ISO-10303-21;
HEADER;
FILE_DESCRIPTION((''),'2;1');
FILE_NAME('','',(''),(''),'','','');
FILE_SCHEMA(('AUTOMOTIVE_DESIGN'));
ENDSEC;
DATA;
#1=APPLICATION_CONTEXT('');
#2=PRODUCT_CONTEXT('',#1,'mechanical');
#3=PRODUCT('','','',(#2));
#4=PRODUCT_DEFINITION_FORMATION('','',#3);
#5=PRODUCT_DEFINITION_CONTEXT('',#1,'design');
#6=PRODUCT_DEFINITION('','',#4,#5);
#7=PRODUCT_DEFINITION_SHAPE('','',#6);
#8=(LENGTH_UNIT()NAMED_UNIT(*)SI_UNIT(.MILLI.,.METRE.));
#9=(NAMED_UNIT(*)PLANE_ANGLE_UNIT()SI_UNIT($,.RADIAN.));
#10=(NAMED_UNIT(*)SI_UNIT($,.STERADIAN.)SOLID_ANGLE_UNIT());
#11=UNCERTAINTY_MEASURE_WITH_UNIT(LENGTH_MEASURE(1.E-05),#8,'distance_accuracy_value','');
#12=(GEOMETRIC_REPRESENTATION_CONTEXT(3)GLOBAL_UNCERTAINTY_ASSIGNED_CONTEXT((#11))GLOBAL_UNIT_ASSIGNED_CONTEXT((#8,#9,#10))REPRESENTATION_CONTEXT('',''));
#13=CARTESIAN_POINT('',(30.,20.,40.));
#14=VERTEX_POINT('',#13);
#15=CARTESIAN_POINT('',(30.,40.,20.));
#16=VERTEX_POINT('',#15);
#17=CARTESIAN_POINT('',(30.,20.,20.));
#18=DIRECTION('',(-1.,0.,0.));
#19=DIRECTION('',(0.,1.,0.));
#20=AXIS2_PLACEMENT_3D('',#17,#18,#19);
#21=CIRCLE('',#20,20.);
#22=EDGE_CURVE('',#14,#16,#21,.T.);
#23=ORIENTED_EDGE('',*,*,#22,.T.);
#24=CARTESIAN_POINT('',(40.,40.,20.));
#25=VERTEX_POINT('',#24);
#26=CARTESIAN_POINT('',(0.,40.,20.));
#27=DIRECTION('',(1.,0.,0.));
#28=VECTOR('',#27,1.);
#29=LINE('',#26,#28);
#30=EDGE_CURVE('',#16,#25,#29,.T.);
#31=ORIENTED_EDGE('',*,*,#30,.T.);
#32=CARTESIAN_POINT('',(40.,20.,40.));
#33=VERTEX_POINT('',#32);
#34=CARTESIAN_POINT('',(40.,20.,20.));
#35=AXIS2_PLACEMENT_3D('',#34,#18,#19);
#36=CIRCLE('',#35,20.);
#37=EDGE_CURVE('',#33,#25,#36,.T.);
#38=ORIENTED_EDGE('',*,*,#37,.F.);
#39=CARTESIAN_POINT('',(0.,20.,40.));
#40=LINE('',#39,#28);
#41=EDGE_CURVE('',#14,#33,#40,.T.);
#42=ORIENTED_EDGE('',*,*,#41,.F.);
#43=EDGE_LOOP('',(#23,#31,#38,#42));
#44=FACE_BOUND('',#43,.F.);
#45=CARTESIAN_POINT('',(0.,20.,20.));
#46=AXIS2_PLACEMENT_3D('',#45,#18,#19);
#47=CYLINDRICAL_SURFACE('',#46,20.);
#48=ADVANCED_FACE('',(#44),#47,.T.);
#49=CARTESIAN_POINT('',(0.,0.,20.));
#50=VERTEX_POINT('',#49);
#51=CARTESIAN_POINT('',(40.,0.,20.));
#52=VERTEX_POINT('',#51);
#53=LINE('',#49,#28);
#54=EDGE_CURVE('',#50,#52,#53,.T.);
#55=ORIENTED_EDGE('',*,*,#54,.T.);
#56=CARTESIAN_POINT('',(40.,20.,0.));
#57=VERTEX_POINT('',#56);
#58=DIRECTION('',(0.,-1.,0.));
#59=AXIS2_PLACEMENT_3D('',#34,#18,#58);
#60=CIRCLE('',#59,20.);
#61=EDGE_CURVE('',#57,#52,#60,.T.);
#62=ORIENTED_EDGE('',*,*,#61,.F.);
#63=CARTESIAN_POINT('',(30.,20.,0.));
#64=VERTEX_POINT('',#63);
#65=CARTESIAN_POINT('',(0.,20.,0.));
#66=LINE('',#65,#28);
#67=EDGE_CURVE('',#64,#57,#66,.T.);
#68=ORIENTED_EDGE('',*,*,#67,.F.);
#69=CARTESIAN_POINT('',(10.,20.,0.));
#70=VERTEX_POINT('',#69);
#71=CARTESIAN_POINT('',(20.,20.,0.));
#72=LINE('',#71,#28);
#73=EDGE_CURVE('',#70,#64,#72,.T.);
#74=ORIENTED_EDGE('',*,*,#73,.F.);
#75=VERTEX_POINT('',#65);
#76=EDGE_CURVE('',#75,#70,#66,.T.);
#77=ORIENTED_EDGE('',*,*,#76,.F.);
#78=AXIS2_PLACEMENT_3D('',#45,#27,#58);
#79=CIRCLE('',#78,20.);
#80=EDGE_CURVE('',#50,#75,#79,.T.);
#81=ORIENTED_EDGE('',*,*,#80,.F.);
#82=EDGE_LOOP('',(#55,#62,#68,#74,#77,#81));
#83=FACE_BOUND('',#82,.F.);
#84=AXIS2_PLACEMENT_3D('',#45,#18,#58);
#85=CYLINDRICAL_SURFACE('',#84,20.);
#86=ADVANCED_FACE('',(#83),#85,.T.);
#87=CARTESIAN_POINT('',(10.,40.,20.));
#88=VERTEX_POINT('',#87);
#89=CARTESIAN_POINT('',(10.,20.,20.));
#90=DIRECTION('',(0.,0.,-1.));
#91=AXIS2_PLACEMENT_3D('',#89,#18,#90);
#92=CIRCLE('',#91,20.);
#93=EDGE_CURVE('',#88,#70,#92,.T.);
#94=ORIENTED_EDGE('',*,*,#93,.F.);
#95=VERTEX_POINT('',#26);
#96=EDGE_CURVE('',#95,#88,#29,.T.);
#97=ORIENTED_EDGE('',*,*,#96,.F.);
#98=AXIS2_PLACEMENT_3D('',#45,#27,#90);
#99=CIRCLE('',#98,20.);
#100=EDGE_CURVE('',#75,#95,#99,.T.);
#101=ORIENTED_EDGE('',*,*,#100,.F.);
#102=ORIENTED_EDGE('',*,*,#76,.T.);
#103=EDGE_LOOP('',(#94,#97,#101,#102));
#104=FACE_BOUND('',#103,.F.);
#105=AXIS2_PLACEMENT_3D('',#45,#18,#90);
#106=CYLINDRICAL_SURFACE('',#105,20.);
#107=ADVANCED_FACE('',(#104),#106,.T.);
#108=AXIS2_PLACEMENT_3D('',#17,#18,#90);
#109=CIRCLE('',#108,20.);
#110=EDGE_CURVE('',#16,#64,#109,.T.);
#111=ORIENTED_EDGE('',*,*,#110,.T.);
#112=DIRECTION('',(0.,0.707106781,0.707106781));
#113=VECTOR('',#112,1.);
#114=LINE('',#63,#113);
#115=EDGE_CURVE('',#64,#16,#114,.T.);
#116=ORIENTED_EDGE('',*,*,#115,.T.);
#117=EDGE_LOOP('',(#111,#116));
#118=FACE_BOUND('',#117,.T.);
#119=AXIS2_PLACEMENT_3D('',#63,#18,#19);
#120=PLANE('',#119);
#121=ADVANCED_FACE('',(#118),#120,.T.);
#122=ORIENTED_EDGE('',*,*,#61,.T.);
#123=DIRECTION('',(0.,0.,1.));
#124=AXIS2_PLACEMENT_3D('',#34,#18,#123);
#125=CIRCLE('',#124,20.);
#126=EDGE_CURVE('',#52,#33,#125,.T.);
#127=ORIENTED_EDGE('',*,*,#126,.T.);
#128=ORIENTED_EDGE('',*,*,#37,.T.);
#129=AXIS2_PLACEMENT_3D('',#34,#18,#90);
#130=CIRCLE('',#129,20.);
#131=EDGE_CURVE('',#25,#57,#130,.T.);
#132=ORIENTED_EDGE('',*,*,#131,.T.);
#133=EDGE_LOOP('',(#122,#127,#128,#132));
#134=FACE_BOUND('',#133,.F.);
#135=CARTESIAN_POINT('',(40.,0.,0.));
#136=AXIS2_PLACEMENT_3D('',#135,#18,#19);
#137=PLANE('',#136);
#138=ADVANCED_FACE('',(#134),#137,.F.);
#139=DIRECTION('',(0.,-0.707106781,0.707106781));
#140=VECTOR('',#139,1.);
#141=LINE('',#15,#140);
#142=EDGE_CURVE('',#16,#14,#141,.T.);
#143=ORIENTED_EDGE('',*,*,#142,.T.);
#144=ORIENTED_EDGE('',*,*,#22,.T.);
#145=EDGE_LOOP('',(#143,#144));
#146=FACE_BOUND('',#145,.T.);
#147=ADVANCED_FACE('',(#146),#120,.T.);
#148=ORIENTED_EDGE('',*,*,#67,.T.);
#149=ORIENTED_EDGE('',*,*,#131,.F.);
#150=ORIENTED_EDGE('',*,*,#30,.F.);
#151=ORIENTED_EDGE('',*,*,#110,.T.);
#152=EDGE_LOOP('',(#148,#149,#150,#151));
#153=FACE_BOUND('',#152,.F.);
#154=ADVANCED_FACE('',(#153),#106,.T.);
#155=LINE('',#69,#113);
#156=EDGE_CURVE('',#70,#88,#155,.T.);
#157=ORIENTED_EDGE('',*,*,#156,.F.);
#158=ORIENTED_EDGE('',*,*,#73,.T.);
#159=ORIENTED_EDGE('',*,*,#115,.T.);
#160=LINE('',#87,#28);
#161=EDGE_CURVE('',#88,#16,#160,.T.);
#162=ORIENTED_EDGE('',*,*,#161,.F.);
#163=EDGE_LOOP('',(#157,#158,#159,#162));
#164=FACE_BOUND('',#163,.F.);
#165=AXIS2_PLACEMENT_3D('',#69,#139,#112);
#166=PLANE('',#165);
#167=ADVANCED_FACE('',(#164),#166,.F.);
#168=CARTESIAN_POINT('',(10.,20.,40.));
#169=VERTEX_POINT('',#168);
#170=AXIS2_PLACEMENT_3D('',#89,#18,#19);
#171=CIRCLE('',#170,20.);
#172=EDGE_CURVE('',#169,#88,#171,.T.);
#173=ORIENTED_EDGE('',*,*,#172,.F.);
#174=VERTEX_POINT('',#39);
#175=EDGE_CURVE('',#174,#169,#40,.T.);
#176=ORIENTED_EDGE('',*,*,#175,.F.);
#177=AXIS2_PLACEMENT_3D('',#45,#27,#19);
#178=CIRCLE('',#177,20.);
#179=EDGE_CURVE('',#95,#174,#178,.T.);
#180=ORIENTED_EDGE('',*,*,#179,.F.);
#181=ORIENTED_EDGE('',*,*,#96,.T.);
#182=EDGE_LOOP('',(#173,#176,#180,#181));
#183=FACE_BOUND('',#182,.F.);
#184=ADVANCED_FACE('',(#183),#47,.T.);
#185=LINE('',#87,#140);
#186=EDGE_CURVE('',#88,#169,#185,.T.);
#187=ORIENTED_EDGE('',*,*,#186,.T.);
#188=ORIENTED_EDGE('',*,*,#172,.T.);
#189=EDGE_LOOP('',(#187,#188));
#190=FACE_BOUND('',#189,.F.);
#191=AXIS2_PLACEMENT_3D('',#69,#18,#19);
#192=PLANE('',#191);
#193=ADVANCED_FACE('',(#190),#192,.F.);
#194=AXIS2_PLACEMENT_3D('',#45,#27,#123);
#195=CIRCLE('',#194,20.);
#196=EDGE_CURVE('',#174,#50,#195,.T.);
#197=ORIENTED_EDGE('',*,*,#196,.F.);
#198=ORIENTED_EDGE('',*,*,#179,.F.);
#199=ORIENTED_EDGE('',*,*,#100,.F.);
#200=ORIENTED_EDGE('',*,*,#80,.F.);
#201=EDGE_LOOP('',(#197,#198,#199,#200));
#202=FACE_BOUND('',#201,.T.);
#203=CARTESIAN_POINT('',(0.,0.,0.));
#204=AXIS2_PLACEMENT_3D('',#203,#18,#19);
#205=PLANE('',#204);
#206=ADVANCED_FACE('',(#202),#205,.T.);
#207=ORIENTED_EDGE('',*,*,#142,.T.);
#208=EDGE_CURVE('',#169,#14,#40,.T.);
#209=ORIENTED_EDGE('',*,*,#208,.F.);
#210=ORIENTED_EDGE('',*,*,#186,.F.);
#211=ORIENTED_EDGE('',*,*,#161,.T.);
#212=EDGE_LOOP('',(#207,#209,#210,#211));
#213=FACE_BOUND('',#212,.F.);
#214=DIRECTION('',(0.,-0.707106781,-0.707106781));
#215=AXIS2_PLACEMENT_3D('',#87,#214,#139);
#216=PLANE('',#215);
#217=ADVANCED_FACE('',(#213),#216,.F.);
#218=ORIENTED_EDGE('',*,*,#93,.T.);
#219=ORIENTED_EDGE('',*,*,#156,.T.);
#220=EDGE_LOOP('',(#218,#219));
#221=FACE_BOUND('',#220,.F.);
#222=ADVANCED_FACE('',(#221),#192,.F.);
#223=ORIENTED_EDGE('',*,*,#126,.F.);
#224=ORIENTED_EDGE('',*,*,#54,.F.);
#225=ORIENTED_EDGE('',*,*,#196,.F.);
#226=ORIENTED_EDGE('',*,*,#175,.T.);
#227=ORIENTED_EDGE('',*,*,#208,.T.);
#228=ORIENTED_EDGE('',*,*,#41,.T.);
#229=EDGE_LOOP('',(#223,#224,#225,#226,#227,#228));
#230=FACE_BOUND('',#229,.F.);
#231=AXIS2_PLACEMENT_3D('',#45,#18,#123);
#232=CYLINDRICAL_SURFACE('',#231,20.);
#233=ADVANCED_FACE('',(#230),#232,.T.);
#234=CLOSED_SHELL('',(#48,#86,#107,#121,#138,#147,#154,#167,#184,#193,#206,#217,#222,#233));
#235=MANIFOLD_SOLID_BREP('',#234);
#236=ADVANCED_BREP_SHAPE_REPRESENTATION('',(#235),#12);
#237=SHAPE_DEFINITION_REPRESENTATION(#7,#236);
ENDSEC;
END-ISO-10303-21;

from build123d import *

# Parameters (mm, degrees)
SKETCH1_W           = 40
SKETCH1_H           = 40
BOSS_EXTRUDE1_DEPTH = 40
CUT_EXTRUDE1_DEPTH  = 71
SKETCH3_W           = 20
SKETCH3_H           = 20
CUT_EXTRUDE2_DEPTH  = 71
BOSS_EXTRUDE2_DEPTH = 20


with BuildPart() as part:
    # Sketch1 → Boss-Extrude1 (new body)
    with BuildSketch(Plane.XY):
        with Locations((20, 20)):
            Rectangle(SKETCH1_W, SKETCH1_H)
    extrude(amount=BOSS_EXTRUDE1_DEPTH)

    # Sketch2 → Cut-Extrude1 (cut)
    with BuildSketch(Plane.ZY):
        with BuildLine():
            Line((20, 40), (0, 40))
            Line((0, 40), (0, 20))
            ThreePointArc((0, 20), (5.857864376, 34.142135624), (20, 40))
        make_face()
        with BuildLine():
            Line((40, 40), (20, 40))
            ThreePointArc((20, 40), (34.142135624, 34.142135624), (40, 20))
            Line((40, 20), (40, 40))
        make_face()
        with BuildLine():
            Line((40, 0), (40, 20))
            ThreePointArc((40, 20), (34.142135624, 5.857864376), (20, 0))
            Line((20, 0), (40, 0))
        make_face()
        with BuildLine():
            ThreePointArc((20, 0), (5.857864376, 5.857864376), (0, 20))
            Line((0, 20), (0, 0))
            Line((0, 0), (20, 0))
        make_face()
    extrude(amount=-CUT_EXTRUDE1_DEPTH, mode=Mode.SUBTRACT)

    # Sketch3 → Cut-Extrude2 (cut)
    with BuildSketch(Plane.XY):
        with Locations((20, 30)):
            Rectangle(SKETCH3_W, SKETCH3_H)
    extrude(amount=CUT_EXTRUDE2_DEPTH, mode=Mode.SUBTRACT)

    # Sketch4 → Boss-Extrude2 (add)
    with BuildSketch(Plane(origin=(10, 0, 0), x_dir=(0, 0, -1), z_dir=(1, 0, 0))):
        Polygon((-40, 20), (-20, 20), (-20, 40), align=None)
        Polygon((-20, 40), (-20, 20), (0, 20), align=None)
    extrude(amount=BOSS_EXTRUDE2_DEPTH)


solid = part.part
